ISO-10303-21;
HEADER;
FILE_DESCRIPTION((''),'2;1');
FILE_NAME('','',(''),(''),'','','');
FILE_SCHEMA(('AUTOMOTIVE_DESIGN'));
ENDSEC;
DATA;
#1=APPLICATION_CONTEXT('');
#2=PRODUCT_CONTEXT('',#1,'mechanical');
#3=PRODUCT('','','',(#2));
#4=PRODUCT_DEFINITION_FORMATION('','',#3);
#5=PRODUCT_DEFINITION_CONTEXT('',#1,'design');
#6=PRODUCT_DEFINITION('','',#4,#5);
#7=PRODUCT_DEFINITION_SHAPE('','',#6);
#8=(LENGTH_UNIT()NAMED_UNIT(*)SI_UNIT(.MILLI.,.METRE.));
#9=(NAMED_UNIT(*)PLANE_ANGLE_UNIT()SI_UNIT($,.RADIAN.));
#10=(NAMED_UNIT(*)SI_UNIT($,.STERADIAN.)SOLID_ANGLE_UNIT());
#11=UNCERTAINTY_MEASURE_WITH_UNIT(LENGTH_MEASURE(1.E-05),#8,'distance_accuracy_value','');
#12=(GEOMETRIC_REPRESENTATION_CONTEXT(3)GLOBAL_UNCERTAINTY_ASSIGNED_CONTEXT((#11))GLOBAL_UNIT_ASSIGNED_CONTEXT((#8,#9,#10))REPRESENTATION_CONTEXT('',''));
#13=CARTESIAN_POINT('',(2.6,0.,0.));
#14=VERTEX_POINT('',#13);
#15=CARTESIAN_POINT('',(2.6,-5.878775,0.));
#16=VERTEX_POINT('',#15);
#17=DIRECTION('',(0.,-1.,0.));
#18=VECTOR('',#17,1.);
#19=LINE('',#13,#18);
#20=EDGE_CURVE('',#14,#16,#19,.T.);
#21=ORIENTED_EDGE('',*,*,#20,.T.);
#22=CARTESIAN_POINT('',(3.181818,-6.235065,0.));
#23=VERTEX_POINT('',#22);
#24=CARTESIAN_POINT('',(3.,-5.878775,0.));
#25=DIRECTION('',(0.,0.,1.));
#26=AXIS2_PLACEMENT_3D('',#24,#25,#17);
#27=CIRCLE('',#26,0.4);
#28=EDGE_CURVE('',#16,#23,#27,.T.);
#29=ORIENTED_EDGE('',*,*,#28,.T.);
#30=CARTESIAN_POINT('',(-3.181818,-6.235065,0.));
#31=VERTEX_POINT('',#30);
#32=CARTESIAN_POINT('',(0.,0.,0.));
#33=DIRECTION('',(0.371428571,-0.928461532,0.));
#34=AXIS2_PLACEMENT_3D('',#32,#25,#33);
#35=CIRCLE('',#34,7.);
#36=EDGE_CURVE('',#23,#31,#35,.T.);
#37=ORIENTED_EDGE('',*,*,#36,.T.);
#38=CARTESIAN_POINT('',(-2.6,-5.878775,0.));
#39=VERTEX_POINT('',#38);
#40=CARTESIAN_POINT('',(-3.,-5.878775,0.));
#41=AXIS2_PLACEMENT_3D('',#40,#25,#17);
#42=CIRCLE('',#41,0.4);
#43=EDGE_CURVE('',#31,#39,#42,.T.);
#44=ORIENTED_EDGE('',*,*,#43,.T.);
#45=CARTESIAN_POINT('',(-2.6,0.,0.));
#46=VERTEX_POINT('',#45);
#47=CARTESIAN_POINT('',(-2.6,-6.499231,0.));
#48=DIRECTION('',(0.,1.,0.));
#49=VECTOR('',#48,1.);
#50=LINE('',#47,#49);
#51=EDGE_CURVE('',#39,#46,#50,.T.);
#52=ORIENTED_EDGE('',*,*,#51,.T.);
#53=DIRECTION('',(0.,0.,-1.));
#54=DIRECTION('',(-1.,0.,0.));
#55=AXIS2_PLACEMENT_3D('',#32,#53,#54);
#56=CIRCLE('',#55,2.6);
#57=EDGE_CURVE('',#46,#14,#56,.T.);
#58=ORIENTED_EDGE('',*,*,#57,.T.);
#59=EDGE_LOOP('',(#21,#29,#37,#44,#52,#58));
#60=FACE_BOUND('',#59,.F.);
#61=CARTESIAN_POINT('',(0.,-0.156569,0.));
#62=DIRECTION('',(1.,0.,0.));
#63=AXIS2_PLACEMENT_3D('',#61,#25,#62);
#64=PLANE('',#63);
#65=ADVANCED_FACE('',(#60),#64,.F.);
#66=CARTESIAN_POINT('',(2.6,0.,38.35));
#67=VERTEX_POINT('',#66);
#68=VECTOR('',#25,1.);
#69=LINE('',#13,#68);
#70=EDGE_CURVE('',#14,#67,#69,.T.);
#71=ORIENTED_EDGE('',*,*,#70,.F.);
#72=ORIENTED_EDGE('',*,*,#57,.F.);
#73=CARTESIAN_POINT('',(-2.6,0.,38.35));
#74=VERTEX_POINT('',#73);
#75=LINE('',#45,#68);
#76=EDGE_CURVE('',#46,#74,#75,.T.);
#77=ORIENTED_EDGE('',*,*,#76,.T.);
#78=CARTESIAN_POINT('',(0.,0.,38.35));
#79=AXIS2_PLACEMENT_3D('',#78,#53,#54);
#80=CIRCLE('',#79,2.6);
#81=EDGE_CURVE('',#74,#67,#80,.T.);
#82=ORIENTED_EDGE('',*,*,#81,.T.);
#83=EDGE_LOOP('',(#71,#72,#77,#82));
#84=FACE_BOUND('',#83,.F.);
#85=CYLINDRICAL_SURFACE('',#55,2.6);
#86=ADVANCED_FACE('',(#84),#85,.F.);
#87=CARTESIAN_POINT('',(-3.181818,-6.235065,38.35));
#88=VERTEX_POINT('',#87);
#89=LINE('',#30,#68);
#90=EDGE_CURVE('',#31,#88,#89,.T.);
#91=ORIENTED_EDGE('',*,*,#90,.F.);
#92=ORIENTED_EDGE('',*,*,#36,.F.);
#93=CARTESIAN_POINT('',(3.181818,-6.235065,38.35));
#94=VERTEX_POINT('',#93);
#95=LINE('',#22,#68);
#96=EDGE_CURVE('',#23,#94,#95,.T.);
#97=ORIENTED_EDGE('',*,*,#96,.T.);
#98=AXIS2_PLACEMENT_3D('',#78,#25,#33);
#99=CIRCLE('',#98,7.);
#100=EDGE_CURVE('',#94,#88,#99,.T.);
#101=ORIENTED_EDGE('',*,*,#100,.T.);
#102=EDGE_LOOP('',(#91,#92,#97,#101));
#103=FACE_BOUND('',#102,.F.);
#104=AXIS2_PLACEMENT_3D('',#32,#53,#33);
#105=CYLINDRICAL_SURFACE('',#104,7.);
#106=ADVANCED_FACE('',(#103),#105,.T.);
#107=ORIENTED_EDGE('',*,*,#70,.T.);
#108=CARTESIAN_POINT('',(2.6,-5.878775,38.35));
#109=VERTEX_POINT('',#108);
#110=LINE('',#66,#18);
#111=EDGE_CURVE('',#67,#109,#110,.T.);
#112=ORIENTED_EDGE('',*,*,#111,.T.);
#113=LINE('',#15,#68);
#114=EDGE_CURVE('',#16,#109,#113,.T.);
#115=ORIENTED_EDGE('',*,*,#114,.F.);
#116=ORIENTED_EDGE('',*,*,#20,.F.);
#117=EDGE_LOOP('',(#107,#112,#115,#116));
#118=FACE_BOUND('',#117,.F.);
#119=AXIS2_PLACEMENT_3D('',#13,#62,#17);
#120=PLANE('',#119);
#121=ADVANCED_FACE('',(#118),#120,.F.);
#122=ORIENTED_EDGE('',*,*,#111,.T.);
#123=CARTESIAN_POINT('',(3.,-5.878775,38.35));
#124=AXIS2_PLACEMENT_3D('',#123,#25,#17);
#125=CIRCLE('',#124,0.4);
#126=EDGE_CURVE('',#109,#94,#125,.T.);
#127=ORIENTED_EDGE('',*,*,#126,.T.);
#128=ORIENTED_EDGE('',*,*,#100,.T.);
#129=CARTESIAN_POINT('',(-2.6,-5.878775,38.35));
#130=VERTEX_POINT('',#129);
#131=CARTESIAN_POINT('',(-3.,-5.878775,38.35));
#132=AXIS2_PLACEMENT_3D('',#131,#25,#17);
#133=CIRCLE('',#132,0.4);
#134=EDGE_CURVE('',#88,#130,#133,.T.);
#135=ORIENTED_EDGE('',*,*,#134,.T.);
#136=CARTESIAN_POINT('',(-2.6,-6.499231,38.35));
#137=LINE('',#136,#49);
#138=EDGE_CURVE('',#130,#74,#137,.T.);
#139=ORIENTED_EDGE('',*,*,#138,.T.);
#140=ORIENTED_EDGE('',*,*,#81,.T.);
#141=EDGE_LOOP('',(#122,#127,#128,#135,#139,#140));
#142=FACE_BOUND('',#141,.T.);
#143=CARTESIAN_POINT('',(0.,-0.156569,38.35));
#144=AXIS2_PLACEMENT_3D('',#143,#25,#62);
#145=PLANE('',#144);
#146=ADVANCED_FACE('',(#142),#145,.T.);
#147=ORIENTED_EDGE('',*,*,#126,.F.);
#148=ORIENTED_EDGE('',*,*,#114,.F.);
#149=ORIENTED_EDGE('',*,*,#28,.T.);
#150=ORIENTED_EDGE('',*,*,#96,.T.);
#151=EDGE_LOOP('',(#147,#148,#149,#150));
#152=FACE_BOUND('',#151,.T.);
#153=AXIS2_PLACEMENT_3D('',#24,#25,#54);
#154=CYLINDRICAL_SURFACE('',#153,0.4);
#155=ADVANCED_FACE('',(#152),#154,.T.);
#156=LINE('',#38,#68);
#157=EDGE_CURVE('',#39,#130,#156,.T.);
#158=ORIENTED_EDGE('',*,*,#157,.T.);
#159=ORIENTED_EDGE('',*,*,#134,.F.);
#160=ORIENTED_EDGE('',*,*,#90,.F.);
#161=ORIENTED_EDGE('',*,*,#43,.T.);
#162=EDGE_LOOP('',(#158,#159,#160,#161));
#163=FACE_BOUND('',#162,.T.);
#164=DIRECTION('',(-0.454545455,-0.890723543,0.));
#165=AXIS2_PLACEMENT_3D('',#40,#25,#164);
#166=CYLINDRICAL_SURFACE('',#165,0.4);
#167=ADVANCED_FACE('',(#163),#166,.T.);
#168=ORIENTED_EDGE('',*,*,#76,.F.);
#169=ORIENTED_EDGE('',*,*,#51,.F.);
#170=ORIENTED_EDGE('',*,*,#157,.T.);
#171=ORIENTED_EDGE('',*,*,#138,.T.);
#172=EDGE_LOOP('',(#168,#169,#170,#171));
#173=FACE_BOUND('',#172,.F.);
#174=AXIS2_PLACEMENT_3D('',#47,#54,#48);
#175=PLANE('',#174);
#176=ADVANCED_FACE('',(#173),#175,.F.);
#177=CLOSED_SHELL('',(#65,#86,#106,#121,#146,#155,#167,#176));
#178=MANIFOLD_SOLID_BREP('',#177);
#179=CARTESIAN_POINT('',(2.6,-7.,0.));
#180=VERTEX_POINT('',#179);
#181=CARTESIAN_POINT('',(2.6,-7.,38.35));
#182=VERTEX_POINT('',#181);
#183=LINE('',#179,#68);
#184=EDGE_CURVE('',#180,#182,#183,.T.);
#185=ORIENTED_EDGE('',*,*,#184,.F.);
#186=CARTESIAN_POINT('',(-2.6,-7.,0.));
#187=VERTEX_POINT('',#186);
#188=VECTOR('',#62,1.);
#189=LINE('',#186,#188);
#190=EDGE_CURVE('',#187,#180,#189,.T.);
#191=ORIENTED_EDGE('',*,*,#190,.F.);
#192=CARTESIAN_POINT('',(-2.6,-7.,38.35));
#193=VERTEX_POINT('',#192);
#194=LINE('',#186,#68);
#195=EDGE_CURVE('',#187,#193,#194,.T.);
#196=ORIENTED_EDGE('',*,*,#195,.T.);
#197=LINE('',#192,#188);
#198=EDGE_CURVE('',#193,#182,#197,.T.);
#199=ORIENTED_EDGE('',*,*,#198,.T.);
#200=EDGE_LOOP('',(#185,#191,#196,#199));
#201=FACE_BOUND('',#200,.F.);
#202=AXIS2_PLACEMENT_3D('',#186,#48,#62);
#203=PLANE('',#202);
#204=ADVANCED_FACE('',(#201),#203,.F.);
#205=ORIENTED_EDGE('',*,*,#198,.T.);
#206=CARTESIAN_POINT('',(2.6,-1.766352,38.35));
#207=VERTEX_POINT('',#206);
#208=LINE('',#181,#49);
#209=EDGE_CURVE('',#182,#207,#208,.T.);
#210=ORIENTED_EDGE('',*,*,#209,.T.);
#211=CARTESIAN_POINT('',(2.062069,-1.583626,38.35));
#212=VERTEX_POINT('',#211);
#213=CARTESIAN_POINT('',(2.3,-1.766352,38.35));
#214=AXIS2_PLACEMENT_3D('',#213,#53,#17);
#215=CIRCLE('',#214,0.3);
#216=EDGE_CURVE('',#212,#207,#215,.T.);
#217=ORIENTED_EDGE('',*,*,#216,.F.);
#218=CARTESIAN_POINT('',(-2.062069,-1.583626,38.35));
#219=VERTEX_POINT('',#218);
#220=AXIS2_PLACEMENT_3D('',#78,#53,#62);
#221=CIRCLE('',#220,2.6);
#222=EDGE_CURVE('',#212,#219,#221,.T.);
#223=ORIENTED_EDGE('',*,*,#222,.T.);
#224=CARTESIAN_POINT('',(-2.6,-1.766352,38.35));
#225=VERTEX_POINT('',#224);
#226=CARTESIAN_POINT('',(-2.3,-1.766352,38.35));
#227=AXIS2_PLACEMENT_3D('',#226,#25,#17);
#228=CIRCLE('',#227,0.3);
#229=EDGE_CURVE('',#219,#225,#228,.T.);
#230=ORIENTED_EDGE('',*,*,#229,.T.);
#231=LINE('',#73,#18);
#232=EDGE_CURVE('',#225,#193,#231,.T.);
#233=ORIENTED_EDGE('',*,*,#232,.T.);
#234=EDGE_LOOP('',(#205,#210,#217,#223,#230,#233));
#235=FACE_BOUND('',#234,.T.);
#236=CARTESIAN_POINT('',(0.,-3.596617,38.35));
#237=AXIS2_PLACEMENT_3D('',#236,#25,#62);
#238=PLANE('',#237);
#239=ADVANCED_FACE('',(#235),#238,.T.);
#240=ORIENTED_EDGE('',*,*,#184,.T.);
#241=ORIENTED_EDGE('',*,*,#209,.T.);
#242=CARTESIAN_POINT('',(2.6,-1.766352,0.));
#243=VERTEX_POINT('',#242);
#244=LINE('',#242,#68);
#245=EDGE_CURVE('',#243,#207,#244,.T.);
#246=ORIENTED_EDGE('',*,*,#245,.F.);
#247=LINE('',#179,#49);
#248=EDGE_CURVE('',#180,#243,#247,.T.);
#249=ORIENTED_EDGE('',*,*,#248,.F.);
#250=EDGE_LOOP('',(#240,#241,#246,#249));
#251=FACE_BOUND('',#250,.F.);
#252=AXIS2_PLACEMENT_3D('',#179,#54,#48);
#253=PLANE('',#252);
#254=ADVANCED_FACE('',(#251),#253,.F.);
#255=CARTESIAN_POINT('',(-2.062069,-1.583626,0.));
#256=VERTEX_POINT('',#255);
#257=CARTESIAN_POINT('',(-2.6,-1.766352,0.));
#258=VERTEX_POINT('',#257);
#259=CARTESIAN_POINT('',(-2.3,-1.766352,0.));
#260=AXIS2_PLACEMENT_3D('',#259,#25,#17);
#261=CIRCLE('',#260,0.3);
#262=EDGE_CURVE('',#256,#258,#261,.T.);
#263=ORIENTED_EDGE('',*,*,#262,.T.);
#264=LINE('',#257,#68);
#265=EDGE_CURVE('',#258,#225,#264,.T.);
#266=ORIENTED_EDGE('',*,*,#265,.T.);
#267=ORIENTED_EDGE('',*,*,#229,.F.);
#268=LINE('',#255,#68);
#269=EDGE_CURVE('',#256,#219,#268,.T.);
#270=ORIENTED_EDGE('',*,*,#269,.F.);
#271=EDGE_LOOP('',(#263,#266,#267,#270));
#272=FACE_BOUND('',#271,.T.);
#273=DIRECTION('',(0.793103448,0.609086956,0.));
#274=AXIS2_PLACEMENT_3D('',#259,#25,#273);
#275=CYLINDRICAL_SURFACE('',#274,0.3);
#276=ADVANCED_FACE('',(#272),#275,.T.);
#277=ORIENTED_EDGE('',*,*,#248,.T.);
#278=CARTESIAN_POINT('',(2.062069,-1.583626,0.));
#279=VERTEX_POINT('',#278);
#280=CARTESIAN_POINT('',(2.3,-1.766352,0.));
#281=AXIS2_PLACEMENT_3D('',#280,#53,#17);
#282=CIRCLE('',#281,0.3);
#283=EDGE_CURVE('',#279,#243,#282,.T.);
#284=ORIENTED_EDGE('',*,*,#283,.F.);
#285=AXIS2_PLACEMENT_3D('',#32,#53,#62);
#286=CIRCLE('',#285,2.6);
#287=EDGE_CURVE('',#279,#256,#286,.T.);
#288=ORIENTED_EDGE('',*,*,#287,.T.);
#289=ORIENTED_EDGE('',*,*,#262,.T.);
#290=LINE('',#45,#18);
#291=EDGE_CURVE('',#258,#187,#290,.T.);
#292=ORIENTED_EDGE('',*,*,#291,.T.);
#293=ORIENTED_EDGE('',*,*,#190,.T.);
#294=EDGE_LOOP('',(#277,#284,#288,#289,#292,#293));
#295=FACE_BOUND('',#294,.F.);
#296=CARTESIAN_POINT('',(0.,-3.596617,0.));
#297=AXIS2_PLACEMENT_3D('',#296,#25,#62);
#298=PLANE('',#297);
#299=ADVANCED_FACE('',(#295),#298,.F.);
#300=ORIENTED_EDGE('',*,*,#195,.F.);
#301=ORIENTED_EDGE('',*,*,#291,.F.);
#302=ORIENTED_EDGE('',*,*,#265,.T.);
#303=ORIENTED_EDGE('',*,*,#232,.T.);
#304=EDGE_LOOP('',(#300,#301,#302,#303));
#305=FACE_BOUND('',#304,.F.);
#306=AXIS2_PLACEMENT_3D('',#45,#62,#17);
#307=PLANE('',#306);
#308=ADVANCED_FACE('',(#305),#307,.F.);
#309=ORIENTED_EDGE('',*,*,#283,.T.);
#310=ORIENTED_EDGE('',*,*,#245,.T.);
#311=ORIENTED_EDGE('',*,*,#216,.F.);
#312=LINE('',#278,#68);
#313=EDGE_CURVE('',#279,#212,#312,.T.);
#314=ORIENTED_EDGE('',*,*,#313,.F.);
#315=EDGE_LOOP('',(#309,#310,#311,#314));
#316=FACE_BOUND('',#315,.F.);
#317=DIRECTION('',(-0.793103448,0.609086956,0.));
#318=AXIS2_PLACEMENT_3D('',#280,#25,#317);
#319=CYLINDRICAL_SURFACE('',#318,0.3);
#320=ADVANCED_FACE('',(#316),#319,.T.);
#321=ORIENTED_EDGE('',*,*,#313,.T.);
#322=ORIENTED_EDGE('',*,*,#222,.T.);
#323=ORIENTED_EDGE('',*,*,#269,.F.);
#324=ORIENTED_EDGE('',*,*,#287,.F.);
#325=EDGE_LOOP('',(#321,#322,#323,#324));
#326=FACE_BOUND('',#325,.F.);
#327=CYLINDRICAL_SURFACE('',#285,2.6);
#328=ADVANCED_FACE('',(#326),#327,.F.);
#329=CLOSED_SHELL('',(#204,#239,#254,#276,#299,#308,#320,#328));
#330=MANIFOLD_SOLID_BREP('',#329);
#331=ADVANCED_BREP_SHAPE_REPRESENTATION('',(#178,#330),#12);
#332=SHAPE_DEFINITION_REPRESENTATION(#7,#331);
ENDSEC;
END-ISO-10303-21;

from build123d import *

# Parameters (mm, degrees)
F1_DEPTH = 38.35
F2_DEPTH = 38.35
F3_R     = 0.3
F4_R     = 0.4


with BuildPart() as f1:
    # F0 (on Top) → F1 (new body)
    with BuildSketch(Plane.XY):
        with BuildLine():
            ThreePointArc((-2.6, 0), (0, 2.6), (2.6, 0))
            Line((2.6, 0), (2.6, -6.4992307237))
            ThreePointArc((2.6, -6.4992307237), (0, 7), (-2.6, -6.4992307237))
            Line((-2.6, -6.4992307237), (-2.6, 0))
        make_face()
    extrude(amount=F1_DEPTH)

    # F4
    f4_edges = [f1.edges().sort_by_distance(p)[0] for p in [
        (-2.6, -6.499231, 19.175),
        (2.6, -6.499231, 19.175),
    ]]
    fillet(f4_edges, radius=F4_R)


with BuildPart() as f2:
    # F0 (on Top) → F2 (new body)
    with BuildSketch(Plane.XY):
        with BuildLine():
            Line((2.6, -6.4992307237), (2.6, 0))
            ThreePointArc((2.6, 0), (0, -2.6), (-2.6, 0))
            Line((-2.6, 0), (-2.6, -6.4992307237))
            Line((-2.6, -6.4992307237), (-2.6, -7))
            Line((-2.6, -7), (0, -7))
            Line((0, -7), (2.6, -7))
            Line((2.6, -7), (2.6, -6.4992307237))
        make_face()
    extrude(amount=F2_DEPTH)

    # F3
    f3_edges = [f2.edges().sort_by_distance(p)[0] for p in [
        (-2.6, 0, 19.175),
        (2.6, 0, 19.175),
    ]]
    fillet(f3_edges, radius=F3_R)


solid = Compound([f1.part, f2.part])
